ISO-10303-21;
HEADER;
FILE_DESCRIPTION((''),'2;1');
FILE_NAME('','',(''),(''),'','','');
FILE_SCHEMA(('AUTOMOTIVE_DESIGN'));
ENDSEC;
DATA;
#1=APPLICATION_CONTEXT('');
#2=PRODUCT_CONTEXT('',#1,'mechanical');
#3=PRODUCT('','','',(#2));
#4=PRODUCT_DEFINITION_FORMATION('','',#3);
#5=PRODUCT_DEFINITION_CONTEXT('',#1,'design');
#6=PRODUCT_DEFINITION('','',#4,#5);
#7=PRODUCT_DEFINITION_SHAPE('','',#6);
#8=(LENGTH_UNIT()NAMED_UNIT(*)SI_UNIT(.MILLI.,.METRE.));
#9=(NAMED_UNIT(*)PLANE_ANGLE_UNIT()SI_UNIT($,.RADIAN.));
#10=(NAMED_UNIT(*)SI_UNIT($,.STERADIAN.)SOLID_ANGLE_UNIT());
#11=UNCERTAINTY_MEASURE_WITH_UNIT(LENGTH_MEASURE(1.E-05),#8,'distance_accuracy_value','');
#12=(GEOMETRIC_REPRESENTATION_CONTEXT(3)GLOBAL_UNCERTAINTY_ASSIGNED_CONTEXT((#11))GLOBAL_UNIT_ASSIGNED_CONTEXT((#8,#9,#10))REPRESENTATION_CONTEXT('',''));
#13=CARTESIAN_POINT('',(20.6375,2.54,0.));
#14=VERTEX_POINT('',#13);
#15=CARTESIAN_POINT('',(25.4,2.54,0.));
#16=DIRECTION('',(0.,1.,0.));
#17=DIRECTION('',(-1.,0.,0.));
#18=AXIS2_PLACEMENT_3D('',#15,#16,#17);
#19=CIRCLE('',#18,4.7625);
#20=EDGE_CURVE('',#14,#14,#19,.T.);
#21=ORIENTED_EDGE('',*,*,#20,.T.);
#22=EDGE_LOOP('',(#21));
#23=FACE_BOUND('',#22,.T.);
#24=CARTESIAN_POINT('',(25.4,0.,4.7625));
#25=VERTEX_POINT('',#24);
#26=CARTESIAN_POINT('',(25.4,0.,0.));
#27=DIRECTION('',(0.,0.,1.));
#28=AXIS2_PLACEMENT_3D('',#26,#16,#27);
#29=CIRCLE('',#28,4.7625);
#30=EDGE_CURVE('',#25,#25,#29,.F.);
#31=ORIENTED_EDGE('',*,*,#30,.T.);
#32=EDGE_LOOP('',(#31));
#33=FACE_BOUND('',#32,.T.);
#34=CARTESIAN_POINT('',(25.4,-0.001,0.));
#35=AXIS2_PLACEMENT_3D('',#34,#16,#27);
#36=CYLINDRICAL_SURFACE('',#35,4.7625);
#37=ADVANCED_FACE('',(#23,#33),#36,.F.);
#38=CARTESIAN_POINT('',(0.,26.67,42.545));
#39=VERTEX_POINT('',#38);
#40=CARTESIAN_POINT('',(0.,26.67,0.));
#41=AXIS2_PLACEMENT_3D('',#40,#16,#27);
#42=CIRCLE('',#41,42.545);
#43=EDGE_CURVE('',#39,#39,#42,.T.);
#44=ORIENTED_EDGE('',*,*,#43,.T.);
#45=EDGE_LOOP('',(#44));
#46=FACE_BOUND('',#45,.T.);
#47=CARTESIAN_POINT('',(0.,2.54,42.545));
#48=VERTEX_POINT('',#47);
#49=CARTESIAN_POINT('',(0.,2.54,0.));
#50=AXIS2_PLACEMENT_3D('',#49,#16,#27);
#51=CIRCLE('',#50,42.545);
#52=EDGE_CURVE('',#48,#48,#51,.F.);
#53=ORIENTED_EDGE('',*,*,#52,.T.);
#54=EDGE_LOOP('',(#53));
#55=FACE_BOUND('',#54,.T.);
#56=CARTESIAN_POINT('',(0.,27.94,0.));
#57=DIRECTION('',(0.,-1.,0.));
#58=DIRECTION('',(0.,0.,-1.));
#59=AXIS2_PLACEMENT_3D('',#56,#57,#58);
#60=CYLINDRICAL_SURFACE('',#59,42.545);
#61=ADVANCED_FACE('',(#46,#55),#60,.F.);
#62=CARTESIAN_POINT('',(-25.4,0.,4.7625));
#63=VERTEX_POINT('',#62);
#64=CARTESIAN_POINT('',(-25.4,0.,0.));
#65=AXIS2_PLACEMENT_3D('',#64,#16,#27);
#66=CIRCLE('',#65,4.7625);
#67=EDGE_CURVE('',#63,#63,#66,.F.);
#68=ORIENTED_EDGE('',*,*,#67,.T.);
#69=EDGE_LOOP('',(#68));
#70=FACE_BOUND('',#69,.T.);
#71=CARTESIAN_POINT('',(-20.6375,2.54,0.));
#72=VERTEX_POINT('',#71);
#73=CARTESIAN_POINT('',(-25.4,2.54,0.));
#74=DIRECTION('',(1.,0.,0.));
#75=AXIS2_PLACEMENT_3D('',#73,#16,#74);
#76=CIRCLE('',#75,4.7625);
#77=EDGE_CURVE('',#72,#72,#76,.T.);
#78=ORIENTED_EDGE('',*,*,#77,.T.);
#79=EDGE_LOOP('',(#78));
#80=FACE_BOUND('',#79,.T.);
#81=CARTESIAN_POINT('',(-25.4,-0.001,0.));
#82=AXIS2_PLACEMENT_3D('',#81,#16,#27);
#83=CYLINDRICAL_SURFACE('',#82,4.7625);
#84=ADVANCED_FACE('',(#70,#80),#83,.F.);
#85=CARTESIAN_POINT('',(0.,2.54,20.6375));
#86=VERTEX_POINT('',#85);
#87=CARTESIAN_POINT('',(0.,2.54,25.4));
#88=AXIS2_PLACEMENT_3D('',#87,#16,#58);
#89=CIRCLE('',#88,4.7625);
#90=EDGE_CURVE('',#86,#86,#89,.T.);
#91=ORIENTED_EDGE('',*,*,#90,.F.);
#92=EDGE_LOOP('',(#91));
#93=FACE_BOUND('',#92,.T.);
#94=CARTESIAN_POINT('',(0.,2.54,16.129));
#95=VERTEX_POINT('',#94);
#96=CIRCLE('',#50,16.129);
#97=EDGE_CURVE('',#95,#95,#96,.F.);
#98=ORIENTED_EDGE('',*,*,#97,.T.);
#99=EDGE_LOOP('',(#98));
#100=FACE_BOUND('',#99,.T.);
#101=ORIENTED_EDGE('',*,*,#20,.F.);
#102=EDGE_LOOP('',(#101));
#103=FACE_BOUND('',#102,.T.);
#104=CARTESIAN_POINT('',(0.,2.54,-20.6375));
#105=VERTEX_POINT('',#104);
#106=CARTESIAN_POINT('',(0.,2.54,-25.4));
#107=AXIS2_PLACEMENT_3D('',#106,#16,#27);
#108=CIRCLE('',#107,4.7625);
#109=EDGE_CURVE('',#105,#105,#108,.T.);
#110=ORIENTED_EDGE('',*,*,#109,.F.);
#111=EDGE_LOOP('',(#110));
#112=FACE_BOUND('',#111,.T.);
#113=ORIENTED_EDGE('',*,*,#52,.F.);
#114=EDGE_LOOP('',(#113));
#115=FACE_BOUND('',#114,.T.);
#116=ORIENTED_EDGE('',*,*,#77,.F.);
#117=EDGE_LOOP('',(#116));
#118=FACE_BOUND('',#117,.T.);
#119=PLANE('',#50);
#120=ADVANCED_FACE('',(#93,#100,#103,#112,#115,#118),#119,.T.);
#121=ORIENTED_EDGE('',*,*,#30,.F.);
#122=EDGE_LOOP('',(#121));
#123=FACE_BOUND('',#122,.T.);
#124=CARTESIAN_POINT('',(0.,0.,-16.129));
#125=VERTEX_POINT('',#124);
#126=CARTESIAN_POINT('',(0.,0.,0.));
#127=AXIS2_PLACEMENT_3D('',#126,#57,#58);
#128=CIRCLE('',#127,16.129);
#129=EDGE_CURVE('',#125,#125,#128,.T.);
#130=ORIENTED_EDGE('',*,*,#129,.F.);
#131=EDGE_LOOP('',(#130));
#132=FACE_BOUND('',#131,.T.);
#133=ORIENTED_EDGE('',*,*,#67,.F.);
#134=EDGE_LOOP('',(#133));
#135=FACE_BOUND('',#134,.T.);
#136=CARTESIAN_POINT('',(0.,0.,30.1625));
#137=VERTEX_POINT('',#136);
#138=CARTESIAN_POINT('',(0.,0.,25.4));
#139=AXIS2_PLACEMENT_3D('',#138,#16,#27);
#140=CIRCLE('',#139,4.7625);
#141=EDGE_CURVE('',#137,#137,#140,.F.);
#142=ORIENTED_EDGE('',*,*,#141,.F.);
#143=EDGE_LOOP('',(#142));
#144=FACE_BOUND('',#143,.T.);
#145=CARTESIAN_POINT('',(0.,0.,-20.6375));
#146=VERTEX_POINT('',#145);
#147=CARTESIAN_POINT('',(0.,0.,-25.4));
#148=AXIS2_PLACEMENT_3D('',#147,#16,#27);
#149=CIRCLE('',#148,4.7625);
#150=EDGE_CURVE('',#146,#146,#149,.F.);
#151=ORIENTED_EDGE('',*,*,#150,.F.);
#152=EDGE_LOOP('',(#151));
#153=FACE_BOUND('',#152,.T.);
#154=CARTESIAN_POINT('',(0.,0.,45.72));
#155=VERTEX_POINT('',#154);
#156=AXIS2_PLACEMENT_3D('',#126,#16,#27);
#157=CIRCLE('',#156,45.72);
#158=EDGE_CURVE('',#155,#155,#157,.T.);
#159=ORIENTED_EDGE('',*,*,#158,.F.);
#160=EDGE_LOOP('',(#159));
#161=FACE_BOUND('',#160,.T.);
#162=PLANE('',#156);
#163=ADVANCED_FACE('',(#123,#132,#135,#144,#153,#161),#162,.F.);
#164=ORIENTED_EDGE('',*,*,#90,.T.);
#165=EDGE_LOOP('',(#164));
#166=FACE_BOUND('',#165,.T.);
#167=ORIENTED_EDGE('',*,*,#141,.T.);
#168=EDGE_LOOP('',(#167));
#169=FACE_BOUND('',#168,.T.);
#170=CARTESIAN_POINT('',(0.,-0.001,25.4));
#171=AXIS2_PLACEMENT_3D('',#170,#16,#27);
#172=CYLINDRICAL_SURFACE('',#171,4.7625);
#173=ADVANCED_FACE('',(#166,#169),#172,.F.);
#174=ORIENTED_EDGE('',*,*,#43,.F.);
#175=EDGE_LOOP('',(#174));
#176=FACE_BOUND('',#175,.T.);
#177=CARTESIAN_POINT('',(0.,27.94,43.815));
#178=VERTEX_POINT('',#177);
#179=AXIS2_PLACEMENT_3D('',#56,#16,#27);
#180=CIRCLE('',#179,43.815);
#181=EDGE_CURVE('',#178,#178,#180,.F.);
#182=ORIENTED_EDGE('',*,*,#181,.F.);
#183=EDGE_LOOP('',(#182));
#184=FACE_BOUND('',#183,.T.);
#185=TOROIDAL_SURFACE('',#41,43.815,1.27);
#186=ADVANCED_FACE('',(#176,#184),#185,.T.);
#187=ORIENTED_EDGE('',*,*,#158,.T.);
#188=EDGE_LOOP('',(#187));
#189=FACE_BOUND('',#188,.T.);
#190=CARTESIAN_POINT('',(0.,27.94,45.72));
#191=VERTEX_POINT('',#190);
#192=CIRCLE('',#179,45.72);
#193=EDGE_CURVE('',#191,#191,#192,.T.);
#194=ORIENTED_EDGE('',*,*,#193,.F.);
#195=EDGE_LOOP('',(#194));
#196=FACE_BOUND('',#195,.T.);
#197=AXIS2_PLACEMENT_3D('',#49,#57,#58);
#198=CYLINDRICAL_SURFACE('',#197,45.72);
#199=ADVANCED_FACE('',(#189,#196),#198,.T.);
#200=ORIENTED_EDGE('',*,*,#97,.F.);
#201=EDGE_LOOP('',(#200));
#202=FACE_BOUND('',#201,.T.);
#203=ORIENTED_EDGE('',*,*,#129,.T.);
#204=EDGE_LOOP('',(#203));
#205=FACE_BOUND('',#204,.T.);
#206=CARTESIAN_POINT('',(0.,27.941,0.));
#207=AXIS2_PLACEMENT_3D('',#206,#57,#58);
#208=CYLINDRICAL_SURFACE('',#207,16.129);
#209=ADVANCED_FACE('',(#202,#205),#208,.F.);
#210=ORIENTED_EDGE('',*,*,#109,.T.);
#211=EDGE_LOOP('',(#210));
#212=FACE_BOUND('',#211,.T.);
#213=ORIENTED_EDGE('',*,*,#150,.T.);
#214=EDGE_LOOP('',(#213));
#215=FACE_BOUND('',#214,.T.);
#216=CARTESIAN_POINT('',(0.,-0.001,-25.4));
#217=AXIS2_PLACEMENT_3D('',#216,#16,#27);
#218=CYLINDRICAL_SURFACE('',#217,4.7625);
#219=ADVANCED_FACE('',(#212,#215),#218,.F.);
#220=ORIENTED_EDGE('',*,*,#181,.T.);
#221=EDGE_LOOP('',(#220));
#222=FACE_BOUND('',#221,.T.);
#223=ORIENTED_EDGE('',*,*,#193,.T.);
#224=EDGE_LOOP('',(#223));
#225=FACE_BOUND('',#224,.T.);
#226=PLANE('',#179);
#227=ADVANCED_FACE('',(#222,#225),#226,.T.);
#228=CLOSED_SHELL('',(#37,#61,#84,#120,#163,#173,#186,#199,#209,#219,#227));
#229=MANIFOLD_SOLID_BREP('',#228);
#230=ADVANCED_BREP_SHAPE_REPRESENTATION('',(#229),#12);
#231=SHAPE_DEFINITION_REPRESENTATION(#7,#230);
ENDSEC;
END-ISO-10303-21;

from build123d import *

# Parameters (mm, degrees)
SKETCH1_R           = 45.72
SKETCH1_R_2         = 42.545
BOSS_EXTRUDE1_DEPTH = 2.54
SKETCH2_R           = 45.72
SKETCH2_R_2         = 42.545
BOSS_EXTRUDE2_DEPTH = 25.4
CUT_EXTRUDE1_REACH  = 72.436
SKETCH3_R           = 16.129
FILLET1_R           = 1.27
CUT_EXTRUDE2_REACH  = 71.468
SKETCH5_R           = 4.7625
CIRPATTERN1_COUNT   = 4


with BuildPart() as part:
    # Sketch1 → Boss-Extrude1 (new body)
    # profile 1 of 2: a face of its own
    with BuildSketch(Plane(origin=(0, 0, 0), x_dir=(1, 0, 0), z_dir=(0, 1, 0))):
        with Locations(Location((0, 0, 0), (0, 0, 270))):
            Circle(SKETCH1_R)
        Circle(SKETCH1_R_2, mode=Mode.SUBTRACT)
    # profile 2 of 2: a face of its own
    with BuildSketch(Plane(origin=(0, 0, 0), x_dir=(1, 0, 0), z_dir=(0, 1, 0))):
        Circle(SKETCH1_R_2)
    extrude(amount=BOSS_EXTRUDE1_DEPTH)

    # Sketch2 → Boss-Extrude2 (add)
    with BuildSketch(Plane(origin=(0, 2.54, 0), x_dir=(1, 0, 0), z_dir=(0, 1, 0))):
        with Locations(Location((0, 0, 0), (0, 0, 270))):
            Circle(SKETCH2_R)
        with Locations(Location((0, 0, 0), (0, 0, 270))):
            Circle(SKETCH2_R_2, mode=Mode.SUBTRACT)
    extrude(amount=BOSS_EXTRUDE2_DEPTH)

    # Sketch3 → Cut-Extrude1 (cut, up to next)
    with BuildSketch(Plane.XZ, mode=Mode.PRIVATE) as cut_extrude1_sk1:
        with Locations(Location((0, 0, 0), (0, 0, 270))):
            Circle(SKETCH3_R)
    cut_extrude1_tool1 = extrude(cut_extrude1_sk1.sketch, amount=-CUT_EXTRUDE1_REACH, mode=Mode.PRIVATE) & part.part
    add(cut_extrude1_tool1.solids().sort_by_distance((0, 0, 0))[0], mode=Mode.SUBTRACT)

    # Fillet1
    fillet1_edges = [part.edges().sort_by_distance(p)[0] for p in [
        (0, 27.94, -42.545),
    ]]
    fillet(fillet1_edges, radius=FILLET1_R)

    # Sketch5 → Cut-Extrude2 (cut, up to next)
    with BuildSketch(Plane(origin=(0, 2.54, 0), x_dir=(1, 0, 0), z_dir=(0, 1, 0)), mode=Mode.PRIVATE) as cut_extrude2_sk1:
        with Locations(Location((0, 25.4, 0), (0, 0, 270))):
            Circle(SKETCH5_R)
    cut_extrude2_tool1 = extrude(cut_extrude2_sk1.sketch, amount=-CUT_EXTRUDE2_REACH, mode=Mode.PRIVATE) & part.part
    cut_extrude2 = cut_extrude2_tool1.solids().sort_by_distance((0, 2.54, -25.4))[0]
    add(cut_extrude2, mode=Mode.SUBTRACT)

    # CirPattern1: Cut-Extrude2 ×4 about axis
    cirpattern1_axis = Axis((0, 0, 0), (0, 1, 0))
    for i in range(1, CIRPATTERN1_COUNT):
        add(cut_extrude2.rotate(cirpattern1_axis, i * 360 / CIRPATTERN1_COUNT), mode=Mode.SUBTRACT)


solid = part.part
